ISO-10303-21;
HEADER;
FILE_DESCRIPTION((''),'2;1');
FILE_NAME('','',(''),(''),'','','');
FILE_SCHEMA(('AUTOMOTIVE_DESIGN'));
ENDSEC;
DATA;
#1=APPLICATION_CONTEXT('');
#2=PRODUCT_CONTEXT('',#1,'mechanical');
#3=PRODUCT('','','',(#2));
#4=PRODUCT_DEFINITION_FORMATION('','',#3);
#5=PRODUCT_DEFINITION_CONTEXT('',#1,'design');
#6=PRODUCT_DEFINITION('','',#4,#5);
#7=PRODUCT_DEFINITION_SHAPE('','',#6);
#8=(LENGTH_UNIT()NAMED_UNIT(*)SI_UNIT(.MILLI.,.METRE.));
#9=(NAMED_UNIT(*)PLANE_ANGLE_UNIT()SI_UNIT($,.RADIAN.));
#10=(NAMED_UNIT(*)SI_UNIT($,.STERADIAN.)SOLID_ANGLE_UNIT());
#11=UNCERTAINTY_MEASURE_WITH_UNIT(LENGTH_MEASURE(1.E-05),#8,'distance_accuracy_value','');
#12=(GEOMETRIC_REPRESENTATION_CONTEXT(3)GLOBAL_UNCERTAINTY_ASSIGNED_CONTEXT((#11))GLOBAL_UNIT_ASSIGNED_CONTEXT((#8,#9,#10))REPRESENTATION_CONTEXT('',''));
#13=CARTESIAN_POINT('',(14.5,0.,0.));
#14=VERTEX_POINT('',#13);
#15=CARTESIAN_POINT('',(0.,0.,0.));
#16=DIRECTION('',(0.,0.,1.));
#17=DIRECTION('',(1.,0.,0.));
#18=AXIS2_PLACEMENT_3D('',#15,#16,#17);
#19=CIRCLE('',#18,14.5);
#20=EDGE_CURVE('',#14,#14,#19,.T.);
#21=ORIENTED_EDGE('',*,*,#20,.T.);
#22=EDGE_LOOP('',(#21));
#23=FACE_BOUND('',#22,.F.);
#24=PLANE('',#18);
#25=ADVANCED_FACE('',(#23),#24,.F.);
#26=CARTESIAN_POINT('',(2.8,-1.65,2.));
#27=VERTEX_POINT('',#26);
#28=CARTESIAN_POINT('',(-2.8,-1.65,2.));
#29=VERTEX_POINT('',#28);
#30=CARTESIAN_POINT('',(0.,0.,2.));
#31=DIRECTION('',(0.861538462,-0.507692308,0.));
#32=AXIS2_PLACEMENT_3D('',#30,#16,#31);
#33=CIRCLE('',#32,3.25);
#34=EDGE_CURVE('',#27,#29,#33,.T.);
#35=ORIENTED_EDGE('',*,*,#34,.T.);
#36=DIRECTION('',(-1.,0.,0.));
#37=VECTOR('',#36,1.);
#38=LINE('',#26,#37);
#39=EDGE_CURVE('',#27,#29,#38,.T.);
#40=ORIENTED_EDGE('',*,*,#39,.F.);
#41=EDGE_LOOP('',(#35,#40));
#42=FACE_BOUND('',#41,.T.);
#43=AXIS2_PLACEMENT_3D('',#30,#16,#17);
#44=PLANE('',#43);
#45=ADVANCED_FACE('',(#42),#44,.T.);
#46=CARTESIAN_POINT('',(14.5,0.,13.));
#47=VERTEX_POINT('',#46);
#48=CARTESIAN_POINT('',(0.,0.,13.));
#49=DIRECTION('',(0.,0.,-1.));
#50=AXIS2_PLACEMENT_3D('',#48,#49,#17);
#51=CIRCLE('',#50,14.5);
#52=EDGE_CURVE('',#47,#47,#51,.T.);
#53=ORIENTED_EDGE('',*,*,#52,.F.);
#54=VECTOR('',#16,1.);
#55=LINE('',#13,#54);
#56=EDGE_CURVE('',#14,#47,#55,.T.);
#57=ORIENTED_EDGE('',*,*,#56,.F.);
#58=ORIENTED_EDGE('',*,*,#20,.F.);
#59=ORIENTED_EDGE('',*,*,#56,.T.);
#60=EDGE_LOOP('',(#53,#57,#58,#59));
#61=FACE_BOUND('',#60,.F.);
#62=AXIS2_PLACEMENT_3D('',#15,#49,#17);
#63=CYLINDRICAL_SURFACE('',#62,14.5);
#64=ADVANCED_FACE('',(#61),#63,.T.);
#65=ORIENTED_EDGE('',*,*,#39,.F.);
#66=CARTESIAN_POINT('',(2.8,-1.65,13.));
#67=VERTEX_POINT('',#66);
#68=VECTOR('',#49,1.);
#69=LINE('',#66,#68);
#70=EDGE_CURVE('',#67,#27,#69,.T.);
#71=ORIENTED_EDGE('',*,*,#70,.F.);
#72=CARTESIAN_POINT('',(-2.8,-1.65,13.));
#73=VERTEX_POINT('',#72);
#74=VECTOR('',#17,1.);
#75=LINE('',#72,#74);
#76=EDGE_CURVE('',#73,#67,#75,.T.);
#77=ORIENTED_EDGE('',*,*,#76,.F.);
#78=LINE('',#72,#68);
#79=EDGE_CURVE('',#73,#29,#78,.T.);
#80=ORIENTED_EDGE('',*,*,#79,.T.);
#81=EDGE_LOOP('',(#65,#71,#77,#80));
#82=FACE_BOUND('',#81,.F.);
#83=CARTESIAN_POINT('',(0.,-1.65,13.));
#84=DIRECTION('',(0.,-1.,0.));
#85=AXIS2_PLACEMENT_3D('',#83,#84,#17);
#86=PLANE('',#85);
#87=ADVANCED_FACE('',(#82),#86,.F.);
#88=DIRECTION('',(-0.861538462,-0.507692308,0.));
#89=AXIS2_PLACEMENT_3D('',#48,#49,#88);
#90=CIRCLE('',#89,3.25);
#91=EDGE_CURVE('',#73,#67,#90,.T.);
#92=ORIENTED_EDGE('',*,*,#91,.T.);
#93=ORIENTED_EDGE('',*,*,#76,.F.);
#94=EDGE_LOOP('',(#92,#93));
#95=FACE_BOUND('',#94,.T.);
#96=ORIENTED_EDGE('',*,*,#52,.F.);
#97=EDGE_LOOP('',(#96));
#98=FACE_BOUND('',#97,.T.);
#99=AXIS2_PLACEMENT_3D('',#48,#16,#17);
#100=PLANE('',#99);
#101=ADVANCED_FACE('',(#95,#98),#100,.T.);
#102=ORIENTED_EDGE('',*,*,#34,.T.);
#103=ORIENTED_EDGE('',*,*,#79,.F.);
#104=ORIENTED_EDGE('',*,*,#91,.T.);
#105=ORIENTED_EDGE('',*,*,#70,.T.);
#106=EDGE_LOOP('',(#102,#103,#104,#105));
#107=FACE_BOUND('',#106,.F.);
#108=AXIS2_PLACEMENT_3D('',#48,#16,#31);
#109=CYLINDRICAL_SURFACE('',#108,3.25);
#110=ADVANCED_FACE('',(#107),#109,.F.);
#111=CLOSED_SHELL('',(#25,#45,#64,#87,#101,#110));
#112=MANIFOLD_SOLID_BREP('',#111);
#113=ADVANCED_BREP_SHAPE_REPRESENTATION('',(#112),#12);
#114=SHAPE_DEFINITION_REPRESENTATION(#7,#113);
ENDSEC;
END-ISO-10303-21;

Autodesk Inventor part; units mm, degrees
ref_plane "YZ Plane" through (0, 0, 0) normal (1, 0, 0) x (0, 1, 0)
ref_plane "XZ Plane" through (0, 0, 0) normal (0, 1, 0) x (-1, 0, 0)
ref_plane "XY Plane" through (0, 0, 0) normal (0, 0, 1) x (1, 0, 0)
sketch "Náčrt1" plane through (0, 0, 0) normal (0, 0, 1) x (1, 0, 0)
  line L0 (0, 20.3) -> (0, -20.3) projected
  line L1 (-20.3, 0) -> (20.3, 0) projected
  circle A0 centre (0, 0) radius 14.5
  dimension "d0" = 29
extrude "Vysunutí1" add sketch "Náčrt1" along normal blind 13
sketch "Náčrt2" plane through (0, 0, 13) normal (0, 0, 1) x (1, 0, 0)
  line L0 (0, 20.3) -> (0, -20.3) projected
  line L1 (-20.3, 0) -> (20.3, 0) projected
  arc A0 (2.8, -1.65) -> (-2.8, -1.65) centre (0, 0) ccw
  line L2 (-2.8, -1.65) -> (2.8, -1.65)
  dimension "d3" = 6.5
  dimension "d4" = 4.9
extrude "Vysunutí2" cut sketch "Náčrt2" against normal blind 11
properties part number "Tlacitko_3D tisk"
